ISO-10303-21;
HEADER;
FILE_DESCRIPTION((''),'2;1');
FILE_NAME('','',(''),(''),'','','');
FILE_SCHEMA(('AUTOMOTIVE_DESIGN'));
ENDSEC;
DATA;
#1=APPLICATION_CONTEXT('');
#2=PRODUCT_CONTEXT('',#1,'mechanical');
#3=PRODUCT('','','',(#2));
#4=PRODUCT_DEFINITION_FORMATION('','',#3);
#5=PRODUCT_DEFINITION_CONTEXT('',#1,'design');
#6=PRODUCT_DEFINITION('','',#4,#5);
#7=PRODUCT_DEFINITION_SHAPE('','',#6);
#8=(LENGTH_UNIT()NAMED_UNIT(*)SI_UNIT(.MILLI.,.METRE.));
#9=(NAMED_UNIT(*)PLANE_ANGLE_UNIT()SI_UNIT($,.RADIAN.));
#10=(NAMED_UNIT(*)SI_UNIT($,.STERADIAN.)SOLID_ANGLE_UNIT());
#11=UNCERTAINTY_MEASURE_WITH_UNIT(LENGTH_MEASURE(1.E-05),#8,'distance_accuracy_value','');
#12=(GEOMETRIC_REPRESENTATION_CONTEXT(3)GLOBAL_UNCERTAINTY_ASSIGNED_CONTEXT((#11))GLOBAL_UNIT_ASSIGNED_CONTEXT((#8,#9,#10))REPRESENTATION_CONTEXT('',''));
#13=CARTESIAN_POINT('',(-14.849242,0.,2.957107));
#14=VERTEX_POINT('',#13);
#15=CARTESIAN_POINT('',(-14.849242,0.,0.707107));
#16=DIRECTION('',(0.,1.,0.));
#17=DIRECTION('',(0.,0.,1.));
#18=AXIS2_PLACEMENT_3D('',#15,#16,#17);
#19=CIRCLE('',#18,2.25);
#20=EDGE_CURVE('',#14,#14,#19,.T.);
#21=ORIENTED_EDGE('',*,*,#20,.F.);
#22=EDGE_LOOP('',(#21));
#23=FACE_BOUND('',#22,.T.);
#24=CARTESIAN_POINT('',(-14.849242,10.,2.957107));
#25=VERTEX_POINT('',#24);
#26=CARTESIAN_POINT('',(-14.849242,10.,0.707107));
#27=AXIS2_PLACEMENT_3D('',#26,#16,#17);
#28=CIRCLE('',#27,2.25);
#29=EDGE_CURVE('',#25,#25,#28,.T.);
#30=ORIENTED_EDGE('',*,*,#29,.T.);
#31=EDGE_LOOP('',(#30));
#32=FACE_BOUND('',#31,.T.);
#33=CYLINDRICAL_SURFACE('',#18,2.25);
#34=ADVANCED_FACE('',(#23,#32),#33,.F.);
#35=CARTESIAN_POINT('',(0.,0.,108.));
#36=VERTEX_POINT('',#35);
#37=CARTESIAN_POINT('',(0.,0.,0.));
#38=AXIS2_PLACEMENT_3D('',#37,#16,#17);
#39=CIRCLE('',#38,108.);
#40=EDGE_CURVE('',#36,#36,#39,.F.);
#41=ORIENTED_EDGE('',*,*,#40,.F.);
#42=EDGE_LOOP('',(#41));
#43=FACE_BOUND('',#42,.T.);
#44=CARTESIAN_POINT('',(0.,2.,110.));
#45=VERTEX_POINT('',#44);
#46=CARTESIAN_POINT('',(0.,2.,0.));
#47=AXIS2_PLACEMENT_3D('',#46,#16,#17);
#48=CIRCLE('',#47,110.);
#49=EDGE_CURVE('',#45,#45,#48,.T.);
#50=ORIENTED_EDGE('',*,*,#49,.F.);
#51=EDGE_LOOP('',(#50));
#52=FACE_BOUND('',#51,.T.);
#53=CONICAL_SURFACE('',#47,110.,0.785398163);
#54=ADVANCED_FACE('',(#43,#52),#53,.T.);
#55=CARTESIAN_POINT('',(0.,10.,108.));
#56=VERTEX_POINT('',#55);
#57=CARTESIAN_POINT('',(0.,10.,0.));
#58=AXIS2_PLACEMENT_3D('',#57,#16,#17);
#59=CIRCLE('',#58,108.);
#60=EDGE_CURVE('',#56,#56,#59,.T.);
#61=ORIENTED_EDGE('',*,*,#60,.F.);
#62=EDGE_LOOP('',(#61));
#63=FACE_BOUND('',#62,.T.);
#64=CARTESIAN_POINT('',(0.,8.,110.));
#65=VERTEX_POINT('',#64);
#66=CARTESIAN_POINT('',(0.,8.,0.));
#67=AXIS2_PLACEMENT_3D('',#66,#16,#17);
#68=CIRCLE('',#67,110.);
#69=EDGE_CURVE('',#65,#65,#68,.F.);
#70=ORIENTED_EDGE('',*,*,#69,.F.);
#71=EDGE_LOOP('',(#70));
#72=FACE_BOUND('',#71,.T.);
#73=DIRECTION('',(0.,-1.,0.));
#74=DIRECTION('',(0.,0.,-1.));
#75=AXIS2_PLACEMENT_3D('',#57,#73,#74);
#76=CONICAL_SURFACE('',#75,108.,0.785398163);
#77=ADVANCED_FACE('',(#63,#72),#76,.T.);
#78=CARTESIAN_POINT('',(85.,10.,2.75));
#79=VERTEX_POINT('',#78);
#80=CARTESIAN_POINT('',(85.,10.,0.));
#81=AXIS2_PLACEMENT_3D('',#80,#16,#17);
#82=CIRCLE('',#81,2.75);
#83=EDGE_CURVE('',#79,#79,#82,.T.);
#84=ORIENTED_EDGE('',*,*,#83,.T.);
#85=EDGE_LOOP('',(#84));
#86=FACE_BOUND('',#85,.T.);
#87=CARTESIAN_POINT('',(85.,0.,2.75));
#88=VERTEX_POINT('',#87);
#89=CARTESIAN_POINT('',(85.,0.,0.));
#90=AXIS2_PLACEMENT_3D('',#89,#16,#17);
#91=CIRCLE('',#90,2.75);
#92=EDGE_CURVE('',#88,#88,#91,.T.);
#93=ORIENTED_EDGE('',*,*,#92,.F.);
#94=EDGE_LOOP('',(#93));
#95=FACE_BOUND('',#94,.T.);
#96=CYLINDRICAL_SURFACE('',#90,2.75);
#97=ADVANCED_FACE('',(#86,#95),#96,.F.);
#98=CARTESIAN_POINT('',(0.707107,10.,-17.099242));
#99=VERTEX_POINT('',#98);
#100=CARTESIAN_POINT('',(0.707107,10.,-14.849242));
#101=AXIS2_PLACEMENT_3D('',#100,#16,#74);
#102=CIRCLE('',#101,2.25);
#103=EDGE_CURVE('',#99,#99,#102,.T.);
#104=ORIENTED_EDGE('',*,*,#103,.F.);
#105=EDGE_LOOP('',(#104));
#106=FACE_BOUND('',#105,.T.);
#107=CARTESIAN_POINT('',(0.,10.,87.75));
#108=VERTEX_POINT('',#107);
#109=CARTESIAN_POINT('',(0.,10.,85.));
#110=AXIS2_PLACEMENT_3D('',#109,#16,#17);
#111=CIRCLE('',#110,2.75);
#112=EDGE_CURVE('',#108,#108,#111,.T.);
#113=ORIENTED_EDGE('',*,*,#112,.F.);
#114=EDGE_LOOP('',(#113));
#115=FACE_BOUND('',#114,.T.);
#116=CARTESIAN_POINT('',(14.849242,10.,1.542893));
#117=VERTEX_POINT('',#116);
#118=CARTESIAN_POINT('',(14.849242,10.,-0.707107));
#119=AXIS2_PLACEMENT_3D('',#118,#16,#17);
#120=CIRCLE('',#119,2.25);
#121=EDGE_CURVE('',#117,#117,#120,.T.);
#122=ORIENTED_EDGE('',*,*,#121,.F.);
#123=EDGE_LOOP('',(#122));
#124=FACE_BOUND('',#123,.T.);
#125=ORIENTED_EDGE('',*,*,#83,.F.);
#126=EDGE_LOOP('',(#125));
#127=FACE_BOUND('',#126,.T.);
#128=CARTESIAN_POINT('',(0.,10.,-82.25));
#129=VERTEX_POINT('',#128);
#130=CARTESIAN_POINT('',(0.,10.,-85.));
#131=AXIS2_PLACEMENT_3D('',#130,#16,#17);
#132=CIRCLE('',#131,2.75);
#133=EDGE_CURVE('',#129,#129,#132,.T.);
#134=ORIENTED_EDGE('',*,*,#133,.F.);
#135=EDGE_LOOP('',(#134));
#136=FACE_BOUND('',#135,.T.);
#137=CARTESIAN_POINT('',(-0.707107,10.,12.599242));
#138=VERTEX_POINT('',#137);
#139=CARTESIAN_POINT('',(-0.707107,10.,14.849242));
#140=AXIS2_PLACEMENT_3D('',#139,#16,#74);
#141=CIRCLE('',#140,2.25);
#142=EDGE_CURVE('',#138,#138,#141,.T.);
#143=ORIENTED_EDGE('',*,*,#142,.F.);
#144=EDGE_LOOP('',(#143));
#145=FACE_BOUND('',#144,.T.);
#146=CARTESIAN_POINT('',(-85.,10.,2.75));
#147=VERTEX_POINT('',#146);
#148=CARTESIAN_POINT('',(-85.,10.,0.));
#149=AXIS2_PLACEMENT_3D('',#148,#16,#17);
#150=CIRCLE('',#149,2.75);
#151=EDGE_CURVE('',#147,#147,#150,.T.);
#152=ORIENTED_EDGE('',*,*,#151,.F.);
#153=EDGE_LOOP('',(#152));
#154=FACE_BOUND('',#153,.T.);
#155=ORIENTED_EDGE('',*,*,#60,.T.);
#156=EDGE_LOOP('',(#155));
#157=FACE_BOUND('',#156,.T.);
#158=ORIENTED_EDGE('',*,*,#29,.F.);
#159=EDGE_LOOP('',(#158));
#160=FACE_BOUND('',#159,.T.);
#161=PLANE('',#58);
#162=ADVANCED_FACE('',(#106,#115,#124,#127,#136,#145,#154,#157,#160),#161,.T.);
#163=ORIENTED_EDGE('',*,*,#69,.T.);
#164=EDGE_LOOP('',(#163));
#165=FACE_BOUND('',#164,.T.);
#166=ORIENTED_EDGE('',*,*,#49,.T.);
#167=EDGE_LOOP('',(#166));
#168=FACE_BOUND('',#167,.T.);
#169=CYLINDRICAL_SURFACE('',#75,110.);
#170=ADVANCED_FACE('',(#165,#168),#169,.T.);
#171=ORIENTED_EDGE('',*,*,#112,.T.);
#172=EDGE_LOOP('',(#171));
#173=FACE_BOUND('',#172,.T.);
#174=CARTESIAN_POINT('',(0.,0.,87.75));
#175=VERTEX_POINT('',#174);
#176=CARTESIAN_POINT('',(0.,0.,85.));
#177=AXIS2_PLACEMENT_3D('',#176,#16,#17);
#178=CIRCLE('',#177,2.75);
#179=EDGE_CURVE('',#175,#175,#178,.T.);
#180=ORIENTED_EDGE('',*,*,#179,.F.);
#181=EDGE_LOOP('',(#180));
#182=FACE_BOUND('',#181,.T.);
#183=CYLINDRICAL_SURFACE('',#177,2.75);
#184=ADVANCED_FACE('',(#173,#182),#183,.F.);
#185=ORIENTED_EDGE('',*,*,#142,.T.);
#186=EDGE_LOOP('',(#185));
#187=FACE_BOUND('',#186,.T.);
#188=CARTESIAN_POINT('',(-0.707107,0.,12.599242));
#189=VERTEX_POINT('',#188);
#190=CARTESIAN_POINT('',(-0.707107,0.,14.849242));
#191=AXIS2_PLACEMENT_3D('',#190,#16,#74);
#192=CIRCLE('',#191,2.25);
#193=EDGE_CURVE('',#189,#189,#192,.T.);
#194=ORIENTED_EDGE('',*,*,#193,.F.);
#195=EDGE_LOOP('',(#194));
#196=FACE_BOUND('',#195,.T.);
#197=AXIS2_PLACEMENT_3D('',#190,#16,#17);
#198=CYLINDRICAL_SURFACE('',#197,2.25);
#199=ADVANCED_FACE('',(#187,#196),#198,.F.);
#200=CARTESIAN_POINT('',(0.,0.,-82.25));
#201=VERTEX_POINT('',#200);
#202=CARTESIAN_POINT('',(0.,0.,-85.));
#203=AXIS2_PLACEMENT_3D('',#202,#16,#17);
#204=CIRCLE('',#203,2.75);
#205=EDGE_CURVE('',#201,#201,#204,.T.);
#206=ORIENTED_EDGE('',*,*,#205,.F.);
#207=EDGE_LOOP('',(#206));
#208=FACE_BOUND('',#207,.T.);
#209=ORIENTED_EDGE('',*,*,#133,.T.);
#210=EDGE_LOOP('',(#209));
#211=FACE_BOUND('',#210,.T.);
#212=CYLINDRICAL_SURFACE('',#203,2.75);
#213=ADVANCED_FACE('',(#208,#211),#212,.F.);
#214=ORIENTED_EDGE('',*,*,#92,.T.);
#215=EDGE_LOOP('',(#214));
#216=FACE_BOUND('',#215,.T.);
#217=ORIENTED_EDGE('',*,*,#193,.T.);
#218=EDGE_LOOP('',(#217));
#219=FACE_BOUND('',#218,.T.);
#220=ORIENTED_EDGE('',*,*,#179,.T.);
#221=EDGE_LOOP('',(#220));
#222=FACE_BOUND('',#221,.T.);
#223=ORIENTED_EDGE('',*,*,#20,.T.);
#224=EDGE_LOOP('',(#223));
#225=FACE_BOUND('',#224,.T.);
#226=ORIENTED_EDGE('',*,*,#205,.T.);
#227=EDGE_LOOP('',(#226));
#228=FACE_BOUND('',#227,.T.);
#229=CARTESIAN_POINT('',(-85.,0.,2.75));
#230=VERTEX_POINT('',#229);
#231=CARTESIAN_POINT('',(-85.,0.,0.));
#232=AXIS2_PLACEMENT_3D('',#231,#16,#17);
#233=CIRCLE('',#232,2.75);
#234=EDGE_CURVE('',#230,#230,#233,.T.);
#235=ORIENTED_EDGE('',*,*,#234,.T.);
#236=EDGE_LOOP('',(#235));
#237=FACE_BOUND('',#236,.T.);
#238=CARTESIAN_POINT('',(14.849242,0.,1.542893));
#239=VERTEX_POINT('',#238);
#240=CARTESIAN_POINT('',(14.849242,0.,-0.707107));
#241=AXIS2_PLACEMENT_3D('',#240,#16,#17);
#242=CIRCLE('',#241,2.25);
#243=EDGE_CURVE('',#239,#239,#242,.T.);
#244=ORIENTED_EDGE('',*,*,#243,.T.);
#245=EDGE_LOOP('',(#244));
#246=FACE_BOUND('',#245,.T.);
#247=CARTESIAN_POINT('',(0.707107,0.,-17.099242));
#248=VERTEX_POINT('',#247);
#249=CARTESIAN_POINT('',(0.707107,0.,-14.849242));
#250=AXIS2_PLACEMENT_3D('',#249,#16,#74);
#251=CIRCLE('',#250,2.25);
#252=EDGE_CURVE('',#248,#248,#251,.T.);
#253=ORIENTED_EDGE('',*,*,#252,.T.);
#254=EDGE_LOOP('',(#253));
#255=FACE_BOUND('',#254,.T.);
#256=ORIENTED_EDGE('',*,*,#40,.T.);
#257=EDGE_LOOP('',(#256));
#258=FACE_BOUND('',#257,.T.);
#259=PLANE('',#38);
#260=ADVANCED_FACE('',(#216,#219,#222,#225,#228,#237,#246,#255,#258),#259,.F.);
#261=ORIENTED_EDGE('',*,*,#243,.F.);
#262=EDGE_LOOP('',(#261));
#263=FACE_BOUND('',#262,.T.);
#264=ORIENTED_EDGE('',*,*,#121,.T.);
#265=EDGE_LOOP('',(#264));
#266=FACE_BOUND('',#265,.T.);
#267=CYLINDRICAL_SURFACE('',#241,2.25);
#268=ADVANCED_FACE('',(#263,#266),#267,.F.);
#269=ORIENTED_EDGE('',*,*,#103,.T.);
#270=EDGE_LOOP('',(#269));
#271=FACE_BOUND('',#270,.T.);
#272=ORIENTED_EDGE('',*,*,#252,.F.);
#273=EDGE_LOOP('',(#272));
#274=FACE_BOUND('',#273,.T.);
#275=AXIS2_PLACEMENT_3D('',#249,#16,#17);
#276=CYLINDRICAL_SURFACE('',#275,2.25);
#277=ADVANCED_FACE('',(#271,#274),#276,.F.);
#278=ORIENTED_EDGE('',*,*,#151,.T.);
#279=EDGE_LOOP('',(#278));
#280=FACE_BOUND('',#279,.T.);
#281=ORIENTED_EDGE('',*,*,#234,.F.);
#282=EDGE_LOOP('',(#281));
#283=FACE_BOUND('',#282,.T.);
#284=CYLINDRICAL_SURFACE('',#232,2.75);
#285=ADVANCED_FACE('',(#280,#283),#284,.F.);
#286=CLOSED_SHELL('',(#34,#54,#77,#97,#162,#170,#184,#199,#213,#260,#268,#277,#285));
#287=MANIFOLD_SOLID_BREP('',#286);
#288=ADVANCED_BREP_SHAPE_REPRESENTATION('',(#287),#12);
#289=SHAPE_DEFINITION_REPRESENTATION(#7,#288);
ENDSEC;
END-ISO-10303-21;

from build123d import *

# Parameters (mm, degrees)
SKETCH3_R                    = 110
BOSS_EXTRUDE_GB_BASEOD_DEPTH = 10
SKETCH4_R                    = 2.75
CUT_EXTRUDE1_DEPTH           = 156.884572681
CHAMFER1_SIZE                = 2
SKETCH7_R                    = 2.25
CUT_EXTRUDE2_DEPTH           = 156.884572681


with BuildPart() as part:
    # Sketch3 → Boss-Extrude_GB_BaseOD (new body)
    with BuildSketch(Plane(origin=(0, 0, 0), x_dir=(1, 0, 0), z_dir=(0, 1, 0))):
        with Locations(Location((0, 0, 0), (0, 0, 270))):
            Circle(SKETCH3_R)
    extrude(amount=BOSS_EXTRUDE_GB_BASEOD_DEPTH)

    # Sketch4 → Cut-Extrude1 (cut, through all)
    with BuildSketch(Plane(origin=(0, 10, 0), x_dir=(1, 0, 0), z_dir=(0, 1, 0))):
        with Locations(Location((-85, 0, 0), (0, 0, 270))):
            Circle(SKETCH4_R)
        with Locations(Location((0, 85, 0), (0, 0, 270))):
            Circle(SKETCH4_R)
        with Locations(Location((85, 0, 0), (0, 0, 270))):
            Circle(SKETCH4_R)
        with Locations(Location((0, -85, 0), (0, 0, 270))):
            Circle(SKETCH4_R)
    extrude(amount=-CUT_EXTRUDE1_DEPTH, mode=Mode.SUBTRACT)

    # Chamfer1
    chamfer1_edges = [part.edges().sort_by_distance(p)[0] for p in [
        (0, 0, -110),
        (0, 10, -110),
    ]]
    chamfer(chamfer1_edges, length=CHAMFER1_SIZE)

    # Sketch7 → Cut-Extrude2 (cut, through all)
    with BuildSketch(Plane(origin=(0, 10, 0), x_dir=(1, 0, 0), z_dir=(0, 1, 0))):
        with Locations(Location((14.849242405, 0.707106781, 0), (0, 0, 270))):
            Circle(SKETCH7_R)
        with Locations(Location((0.707106781, 14.849242405, 0), (0, 0, 90))):
            Circle(SKETCH7_R)
        with Locations(Location((-14.849242405, -0.707106781, 0), (0, 0, 270))):
            Circle(SKETCH7_R)
        with Locations(Location((-0.707106781, -14.849242405, 0), (0, 0, 90))):
            Circle(SKETCH7_R)
    extrude(amount=-CUT_EXTRUDE2_DEPTH, mode=Mode.SUBTRACT)


solid = part.part
